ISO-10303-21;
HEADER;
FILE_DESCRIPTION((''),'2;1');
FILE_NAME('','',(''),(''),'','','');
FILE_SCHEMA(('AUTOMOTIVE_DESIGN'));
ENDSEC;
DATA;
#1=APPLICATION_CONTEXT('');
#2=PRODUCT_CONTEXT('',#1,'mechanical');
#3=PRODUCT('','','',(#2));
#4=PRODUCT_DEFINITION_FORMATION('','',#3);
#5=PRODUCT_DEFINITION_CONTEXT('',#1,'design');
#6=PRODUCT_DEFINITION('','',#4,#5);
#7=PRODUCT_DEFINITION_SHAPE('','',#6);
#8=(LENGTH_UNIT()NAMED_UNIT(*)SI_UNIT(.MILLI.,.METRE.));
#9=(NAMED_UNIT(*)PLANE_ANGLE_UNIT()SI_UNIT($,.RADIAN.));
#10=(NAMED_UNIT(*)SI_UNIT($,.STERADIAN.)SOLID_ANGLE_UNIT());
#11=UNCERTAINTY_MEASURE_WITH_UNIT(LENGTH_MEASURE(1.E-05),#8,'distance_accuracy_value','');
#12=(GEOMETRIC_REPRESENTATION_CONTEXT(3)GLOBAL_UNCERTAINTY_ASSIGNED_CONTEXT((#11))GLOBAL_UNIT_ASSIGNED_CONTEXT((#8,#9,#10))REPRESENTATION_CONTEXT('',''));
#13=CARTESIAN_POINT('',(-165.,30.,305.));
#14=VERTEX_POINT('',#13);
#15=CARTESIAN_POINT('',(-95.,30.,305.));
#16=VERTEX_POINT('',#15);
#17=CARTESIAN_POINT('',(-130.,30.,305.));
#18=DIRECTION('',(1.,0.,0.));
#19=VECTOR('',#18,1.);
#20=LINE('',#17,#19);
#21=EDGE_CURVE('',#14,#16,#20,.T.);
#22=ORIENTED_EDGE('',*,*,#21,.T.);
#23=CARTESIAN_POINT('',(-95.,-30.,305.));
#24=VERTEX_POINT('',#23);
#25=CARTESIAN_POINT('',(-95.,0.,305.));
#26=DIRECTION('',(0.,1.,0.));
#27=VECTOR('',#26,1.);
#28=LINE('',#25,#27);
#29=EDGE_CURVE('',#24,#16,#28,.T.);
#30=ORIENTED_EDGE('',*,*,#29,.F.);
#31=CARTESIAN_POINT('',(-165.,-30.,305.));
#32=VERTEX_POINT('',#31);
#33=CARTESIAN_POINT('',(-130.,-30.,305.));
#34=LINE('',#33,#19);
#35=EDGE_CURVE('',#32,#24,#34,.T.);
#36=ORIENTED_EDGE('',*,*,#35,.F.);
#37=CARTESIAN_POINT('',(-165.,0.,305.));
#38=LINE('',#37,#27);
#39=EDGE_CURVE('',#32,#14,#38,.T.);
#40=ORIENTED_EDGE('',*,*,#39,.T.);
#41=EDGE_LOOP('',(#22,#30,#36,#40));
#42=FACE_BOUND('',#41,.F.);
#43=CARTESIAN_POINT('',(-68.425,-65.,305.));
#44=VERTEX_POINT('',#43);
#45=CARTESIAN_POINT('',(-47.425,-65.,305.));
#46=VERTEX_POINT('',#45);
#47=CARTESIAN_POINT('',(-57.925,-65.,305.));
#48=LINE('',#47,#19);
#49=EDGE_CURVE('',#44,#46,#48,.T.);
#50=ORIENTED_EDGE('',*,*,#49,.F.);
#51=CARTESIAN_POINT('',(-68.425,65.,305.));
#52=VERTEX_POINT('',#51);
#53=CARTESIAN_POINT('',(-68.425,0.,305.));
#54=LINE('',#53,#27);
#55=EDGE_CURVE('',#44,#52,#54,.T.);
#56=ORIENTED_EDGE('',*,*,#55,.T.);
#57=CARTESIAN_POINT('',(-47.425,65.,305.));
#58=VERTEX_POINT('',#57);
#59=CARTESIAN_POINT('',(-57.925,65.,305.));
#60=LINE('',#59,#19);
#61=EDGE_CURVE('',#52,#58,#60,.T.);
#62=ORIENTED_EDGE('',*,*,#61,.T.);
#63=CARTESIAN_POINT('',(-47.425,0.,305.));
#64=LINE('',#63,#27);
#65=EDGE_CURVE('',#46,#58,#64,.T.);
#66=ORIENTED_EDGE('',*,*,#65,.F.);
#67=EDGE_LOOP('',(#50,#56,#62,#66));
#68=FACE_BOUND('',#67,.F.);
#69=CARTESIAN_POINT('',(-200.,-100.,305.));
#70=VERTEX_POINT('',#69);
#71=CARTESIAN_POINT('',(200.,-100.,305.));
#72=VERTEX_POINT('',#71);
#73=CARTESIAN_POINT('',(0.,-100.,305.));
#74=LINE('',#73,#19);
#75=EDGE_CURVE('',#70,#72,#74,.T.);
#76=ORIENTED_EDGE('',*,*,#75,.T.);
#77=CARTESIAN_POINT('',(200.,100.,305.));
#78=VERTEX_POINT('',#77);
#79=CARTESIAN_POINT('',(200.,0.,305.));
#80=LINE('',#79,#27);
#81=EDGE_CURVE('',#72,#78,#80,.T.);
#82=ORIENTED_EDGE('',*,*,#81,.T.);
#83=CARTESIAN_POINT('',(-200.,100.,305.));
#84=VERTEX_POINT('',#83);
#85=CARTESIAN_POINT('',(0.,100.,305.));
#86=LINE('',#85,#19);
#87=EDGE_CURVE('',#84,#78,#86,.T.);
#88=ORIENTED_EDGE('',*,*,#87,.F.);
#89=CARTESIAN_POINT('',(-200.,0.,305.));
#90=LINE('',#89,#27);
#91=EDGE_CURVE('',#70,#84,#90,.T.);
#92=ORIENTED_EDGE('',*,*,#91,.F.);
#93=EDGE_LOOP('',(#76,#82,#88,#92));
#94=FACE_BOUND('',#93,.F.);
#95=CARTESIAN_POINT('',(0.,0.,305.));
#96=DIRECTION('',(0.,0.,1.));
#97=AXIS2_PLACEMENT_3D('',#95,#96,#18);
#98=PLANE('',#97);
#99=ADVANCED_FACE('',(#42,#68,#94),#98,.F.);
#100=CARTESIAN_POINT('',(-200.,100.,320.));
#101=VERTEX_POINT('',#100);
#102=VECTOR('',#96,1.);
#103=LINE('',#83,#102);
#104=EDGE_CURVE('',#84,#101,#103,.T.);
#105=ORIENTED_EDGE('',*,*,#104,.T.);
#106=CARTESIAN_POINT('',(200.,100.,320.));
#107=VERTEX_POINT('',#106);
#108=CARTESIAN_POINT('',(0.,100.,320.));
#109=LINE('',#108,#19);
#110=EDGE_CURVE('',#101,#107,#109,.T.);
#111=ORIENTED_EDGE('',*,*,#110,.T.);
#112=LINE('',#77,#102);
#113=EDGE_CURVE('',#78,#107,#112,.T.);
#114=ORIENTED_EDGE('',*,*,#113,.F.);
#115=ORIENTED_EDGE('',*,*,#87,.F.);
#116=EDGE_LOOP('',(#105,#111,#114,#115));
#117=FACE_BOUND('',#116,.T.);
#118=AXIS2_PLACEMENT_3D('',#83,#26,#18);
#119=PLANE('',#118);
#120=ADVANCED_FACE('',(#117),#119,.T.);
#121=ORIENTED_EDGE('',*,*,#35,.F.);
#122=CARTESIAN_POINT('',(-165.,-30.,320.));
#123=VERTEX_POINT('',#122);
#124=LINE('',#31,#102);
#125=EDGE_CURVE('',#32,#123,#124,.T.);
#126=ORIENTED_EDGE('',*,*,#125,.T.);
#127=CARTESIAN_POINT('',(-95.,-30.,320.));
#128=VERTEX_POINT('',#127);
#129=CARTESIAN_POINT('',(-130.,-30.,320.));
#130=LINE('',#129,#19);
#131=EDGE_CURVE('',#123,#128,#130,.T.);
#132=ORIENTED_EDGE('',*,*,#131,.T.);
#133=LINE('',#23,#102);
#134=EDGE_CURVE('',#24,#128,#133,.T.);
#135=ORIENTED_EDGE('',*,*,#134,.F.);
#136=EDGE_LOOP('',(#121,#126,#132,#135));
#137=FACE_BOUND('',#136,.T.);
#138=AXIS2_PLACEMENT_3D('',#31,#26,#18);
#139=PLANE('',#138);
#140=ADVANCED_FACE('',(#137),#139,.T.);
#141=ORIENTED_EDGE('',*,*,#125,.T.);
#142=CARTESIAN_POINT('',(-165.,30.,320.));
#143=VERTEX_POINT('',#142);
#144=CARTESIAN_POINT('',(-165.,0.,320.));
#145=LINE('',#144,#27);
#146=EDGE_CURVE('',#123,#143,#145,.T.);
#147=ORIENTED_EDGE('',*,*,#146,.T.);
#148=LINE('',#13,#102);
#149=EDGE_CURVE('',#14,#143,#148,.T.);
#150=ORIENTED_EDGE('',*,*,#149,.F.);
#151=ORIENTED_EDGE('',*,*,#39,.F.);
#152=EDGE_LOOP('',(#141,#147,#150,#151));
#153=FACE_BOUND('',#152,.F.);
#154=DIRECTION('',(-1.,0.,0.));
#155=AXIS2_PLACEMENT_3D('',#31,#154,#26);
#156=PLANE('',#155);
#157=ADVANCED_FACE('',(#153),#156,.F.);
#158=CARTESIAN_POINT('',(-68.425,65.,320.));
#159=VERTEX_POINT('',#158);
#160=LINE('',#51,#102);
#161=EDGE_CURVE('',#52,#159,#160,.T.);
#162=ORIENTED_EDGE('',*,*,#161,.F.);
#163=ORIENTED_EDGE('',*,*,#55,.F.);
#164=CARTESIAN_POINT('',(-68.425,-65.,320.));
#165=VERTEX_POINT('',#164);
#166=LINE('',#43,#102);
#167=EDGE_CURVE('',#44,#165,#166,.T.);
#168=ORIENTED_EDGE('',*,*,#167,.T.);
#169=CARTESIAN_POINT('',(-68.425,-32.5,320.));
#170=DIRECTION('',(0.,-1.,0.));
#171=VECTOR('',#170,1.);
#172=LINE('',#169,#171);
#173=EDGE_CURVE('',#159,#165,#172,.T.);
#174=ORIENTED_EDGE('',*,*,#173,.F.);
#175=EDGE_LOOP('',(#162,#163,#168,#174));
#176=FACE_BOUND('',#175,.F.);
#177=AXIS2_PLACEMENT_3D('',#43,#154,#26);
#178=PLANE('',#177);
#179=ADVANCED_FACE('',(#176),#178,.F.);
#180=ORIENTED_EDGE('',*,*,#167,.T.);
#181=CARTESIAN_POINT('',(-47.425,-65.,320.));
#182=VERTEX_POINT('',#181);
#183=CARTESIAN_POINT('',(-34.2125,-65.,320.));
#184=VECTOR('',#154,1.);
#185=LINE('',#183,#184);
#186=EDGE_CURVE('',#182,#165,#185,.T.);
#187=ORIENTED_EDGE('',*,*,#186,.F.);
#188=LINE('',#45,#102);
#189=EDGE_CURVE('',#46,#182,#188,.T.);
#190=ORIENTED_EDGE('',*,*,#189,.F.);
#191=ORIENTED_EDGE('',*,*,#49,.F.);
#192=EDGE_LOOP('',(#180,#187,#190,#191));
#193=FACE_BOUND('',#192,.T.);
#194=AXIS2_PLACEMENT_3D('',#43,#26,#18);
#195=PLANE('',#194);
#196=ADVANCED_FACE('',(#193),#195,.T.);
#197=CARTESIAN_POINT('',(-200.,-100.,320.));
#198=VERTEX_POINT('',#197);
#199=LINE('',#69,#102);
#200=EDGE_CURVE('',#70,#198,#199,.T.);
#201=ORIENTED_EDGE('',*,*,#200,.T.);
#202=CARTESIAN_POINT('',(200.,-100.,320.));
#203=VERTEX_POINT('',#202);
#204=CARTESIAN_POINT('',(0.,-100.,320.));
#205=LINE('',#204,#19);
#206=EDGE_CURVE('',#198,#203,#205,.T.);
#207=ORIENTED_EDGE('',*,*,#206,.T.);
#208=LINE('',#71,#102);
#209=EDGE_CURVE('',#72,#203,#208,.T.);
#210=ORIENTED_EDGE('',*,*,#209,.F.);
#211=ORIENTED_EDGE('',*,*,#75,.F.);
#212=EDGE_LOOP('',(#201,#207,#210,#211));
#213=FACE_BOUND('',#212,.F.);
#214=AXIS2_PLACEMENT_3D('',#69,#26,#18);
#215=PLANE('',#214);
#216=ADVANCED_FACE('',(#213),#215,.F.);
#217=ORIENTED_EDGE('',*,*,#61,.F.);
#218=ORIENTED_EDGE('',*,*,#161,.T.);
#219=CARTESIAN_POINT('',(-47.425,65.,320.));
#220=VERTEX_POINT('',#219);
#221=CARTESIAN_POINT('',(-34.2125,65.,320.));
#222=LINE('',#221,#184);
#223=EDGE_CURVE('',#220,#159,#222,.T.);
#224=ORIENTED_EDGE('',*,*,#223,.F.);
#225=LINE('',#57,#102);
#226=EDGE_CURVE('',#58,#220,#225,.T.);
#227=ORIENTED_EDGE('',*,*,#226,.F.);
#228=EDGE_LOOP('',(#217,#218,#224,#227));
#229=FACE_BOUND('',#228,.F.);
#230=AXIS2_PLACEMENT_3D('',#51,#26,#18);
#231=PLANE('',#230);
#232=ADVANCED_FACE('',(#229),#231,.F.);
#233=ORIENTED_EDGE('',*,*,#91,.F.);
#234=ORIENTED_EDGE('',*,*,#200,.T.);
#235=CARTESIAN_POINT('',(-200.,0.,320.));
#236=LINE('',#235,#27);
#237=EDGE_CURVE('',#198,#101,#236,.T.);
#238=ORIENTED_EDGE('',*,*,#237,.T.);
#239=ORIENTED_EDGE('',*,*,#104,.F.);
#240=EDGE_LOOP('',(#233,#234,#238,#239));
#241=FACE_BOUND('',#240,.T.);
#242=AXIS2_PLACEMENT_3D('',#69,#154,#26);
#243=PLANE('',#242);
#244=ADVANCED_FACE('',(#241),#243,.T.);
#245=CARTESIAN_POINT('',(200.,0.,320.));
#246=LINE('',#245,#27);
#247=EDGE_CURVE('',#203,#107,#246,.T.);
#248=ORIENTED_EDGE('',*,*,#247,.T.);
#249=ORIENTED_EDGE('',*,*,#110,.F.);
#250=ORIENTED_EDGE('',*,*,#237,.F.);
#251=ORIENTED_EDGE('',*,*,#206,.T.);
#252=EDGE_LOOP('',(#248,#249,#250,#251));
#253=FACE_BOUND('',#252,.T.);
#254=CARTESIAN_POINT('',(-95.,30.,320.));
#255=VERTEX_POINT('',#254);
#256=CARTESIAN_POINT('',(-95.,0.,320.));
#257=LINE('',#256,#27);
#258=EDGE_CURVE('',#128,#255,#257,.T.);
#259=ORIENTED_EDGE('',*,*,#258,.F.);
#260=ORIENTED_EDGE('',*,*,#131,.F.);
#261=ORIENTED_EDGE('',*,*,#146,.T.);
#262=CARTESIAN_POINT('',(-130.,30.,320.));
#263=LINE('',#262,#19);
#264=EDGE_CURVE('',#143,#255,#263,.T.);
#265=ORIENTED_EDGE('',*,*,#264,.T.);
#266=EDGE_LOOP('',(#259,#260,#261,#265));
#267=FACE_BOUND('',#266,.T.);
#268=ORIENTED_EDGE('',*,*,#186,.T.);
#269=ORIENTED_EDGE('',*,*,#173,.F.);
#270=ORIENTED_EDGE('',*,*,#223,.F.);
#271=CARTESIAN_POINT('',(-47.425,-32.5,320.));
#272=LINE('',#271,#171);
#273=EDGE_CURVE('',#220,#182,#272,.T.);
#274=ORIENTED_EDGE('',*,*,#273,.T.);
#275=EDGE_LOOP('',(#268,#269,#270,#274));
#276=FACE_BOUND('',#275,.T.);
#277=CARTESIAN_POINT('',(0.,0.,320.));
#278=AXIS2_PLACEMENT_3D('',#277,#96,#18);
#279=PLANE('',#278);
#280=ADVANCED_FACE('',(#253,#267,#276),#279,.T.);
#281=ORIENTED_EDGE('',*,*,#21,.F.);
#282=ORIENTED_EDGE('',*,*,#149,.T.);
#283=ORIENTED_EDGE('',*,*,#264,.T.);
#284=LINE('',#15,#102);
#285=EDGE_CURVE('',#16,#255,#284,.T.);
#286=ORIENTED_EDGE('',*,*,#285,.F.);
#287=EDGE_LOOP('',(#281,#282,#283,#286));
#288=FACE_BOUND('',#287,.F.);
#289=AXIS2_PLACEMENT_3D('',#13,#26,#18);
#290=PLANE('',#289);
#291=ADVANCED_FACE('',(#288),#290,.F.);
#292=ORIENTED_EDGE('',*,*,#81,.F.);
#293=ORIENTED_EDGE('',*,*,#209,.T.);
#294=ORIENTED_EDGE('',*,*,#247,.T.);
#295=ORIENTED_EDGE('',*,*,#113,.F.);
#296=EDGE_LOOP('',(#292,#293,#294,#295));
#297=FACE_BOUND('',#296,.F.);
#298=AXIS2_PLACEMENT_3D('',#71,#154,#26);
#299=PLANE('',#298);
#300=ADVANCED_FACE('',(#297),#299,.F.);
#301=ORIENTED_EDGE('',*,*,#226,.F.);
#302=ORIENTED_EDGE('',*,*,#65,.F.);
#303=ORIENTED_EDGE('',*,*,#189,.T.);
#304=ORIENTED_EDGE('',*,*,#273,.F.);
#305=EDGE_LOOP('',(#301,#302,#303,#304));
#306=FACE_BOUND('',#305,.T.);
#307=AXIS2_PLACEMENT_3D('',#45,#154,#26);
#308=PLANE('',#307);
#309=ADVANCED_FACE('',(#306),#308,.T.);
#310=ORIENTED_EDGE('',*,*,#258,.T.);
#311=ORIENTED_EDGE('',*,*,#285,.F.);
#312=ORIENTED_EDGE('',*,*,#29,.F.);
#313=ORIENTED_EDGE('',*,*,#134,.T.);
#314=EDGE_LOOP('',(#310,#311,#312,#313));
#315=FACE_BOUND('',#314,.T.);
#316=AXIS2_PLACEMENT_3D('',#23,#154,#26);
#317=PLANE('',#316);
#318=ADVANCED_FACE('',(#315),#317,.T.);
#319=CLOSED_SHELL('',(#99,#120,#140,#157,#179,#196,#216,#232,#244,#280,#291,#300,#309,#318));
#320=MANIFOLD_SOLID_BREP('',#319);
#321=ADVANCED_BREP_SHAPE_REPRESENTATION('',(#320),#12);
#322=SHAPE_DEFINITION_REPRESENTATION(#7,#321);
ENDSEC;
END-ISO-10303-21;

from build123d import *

# Parameters (mm, degrees)
SKETCH053_W     = 400
SKETCH053_H     = 200
PAD027_DEPTH    = 15
SKETCH052_W     = 70
SKETCH052_H     = 60
POCKET018_DEPTH = 15
SKETCH061_W     = 21
SKETCH061_H     = 130
POCKET020_DEPTH = 15.001


with BuildPart() as part:
    # Sketch053 → Pad027 (new body)
    with BuildSketch(Plane.XY):
        Rectangle(SKETCH053_W, SKETCH053_H)
    extrude(amount=PAD027_DEPTH)

    # Sketch052 → Pocket018 (cut)
    with BuildSketch(Plane.XY):
        with Locations((-130, 0)):
            Rectangle(SKETCH052_W, SKETCH052_H)
    extrude(amount=POCKET018_DEPTH, mode=Mode.SUBTRACT)

    # Sketch061 → Pocket020 (cut, through all)
    with BuildSketch(Plane.XY):
        with Locations((-57.925, 0)):
            Rectangle(SKETCH061_W, SKETCH061_H)
    extrude(amount=POCKET020_DEPTH, mode=Mode.SUBTRACT)


with BuildPart() as part_1:
    # Body052 placement: moved
    add(part.part.moved(Location((0, 0, 305))))


solid = part_1.part
